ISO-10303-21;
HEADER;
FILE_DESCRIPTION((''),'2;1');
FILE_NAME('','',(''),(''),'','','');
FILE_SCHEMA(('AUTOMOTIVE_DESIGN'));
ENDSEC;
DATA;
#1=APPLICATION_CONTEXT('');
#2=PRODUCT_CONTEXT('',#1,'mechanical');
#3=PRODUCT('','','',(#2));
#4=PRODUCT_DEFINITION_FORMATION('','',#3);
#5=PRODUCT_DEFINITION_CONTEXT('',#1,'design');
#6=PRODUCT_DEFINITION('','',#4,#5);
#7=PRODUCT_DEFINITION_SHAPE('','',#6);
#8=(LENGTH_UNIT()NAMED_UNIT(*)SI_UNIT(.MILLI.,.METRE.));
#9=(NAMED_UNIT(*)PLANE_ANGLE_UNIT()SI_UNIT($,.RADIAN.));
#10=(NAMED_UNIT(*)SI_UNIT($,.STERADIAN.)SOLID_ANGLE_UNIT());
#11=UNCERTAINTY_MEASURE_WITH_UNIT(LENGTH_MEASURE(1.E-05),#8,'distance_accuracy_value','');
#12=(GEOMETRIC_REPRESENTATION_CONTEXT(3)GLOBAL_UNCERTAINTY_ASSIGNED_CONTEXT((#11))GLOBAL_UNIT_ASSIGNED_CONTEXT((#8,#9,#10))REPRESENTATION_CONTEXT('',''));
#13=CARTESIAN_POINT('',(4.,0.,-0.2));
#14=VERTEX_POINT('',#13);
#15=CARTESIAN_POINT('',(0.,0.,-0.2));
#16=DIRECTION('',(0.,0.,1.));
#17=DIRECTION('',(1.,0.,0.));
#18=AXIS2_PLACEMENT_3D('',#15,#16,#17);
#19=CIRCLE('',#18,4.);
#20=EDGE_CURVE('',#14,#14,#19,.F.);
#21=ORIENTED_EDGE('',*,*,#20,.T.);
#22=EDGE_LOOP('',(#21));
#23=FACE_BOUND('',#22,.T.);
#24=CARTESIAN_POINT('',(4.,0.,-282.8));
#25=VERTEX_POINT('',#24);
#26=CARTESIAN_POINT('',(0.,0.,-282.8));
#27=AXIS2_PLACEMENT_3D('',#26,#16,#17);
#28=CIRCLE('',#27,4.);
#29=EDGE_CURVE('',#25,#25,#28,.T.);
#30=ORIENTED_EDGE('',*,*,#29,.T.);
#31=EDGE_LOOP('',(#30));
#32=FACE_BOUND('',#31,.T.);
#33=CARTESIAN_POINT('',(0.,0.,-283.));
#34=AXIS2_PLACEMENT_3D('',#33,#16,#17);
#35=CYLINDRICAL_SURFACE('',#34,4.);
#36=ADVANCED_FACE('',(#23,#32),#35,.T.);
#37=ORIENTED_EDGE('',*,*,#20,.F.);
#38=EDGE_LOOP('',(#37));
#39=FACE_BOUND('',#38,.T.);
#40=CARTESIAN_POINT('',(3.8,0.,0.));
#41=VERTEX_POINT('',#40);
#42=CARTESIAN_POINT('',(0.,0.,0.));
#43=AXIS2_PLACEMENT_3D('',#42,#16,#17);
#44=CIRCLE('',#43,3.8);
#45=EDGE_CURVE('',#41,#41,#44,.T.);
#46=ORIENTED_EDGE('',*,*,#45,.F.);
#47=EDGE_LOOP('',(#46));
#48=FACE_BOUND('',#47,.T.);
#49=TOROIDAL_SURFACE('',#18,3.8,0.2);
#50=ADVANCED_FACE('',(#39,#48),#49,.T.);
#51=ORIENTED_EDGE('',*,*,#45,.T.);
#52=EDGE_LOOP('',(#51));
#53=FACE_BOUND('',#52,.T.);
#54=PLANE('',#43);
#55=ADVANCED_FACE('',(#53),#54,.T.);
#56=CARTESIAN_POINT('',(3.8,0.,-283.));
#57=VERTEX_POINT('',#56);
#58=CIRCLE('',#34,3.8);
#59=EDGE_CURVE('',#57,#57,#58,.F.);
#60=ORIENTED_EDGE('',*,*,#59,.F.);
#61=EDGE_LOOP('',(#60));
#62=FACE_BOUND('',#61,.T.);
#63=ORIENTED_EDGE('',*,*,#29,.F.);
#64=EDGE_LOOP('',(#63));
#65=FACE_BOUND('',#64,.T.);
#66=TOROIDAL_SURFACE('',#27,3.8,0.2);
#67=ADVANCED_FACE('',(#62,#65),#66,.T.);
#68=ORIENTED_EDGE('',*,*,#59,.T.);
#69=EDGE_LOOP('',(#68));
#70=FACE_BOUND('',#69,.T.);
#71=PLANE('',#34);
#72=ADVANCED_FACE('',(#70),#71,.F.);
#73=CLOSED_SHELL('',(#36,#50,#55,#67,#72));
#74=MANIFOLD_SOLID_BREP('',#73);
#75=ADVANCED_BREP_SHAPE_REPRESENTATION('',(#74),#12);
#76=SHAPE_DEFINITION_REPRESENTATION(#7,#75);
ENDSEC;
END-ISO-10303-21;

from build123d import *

# Parameters (mm, degrees)
SKETCH1_R           = 4
BOSS_EXTRUDE1_DEPTH = 283
FILLET1_R           = 0.2


with BuildPart() as part:
    # Sketch1 → Boss-Extrude1 (new body)
    with BuildSketch(Plane.XY):
        Circle(SKETCH1_R)
    extrude(amount=-BOSS_EXTRUDE1_DEPTH)

    # Fillet1
    fillet1_edges = [part.edges().sort_by_distance(p)[0] for p in [
        (-4, 0, 0),
        (-4, 0, -283),
    ]]
    fillet(fillet1_edges, radius=FILLET1_R)


solid = part.part
